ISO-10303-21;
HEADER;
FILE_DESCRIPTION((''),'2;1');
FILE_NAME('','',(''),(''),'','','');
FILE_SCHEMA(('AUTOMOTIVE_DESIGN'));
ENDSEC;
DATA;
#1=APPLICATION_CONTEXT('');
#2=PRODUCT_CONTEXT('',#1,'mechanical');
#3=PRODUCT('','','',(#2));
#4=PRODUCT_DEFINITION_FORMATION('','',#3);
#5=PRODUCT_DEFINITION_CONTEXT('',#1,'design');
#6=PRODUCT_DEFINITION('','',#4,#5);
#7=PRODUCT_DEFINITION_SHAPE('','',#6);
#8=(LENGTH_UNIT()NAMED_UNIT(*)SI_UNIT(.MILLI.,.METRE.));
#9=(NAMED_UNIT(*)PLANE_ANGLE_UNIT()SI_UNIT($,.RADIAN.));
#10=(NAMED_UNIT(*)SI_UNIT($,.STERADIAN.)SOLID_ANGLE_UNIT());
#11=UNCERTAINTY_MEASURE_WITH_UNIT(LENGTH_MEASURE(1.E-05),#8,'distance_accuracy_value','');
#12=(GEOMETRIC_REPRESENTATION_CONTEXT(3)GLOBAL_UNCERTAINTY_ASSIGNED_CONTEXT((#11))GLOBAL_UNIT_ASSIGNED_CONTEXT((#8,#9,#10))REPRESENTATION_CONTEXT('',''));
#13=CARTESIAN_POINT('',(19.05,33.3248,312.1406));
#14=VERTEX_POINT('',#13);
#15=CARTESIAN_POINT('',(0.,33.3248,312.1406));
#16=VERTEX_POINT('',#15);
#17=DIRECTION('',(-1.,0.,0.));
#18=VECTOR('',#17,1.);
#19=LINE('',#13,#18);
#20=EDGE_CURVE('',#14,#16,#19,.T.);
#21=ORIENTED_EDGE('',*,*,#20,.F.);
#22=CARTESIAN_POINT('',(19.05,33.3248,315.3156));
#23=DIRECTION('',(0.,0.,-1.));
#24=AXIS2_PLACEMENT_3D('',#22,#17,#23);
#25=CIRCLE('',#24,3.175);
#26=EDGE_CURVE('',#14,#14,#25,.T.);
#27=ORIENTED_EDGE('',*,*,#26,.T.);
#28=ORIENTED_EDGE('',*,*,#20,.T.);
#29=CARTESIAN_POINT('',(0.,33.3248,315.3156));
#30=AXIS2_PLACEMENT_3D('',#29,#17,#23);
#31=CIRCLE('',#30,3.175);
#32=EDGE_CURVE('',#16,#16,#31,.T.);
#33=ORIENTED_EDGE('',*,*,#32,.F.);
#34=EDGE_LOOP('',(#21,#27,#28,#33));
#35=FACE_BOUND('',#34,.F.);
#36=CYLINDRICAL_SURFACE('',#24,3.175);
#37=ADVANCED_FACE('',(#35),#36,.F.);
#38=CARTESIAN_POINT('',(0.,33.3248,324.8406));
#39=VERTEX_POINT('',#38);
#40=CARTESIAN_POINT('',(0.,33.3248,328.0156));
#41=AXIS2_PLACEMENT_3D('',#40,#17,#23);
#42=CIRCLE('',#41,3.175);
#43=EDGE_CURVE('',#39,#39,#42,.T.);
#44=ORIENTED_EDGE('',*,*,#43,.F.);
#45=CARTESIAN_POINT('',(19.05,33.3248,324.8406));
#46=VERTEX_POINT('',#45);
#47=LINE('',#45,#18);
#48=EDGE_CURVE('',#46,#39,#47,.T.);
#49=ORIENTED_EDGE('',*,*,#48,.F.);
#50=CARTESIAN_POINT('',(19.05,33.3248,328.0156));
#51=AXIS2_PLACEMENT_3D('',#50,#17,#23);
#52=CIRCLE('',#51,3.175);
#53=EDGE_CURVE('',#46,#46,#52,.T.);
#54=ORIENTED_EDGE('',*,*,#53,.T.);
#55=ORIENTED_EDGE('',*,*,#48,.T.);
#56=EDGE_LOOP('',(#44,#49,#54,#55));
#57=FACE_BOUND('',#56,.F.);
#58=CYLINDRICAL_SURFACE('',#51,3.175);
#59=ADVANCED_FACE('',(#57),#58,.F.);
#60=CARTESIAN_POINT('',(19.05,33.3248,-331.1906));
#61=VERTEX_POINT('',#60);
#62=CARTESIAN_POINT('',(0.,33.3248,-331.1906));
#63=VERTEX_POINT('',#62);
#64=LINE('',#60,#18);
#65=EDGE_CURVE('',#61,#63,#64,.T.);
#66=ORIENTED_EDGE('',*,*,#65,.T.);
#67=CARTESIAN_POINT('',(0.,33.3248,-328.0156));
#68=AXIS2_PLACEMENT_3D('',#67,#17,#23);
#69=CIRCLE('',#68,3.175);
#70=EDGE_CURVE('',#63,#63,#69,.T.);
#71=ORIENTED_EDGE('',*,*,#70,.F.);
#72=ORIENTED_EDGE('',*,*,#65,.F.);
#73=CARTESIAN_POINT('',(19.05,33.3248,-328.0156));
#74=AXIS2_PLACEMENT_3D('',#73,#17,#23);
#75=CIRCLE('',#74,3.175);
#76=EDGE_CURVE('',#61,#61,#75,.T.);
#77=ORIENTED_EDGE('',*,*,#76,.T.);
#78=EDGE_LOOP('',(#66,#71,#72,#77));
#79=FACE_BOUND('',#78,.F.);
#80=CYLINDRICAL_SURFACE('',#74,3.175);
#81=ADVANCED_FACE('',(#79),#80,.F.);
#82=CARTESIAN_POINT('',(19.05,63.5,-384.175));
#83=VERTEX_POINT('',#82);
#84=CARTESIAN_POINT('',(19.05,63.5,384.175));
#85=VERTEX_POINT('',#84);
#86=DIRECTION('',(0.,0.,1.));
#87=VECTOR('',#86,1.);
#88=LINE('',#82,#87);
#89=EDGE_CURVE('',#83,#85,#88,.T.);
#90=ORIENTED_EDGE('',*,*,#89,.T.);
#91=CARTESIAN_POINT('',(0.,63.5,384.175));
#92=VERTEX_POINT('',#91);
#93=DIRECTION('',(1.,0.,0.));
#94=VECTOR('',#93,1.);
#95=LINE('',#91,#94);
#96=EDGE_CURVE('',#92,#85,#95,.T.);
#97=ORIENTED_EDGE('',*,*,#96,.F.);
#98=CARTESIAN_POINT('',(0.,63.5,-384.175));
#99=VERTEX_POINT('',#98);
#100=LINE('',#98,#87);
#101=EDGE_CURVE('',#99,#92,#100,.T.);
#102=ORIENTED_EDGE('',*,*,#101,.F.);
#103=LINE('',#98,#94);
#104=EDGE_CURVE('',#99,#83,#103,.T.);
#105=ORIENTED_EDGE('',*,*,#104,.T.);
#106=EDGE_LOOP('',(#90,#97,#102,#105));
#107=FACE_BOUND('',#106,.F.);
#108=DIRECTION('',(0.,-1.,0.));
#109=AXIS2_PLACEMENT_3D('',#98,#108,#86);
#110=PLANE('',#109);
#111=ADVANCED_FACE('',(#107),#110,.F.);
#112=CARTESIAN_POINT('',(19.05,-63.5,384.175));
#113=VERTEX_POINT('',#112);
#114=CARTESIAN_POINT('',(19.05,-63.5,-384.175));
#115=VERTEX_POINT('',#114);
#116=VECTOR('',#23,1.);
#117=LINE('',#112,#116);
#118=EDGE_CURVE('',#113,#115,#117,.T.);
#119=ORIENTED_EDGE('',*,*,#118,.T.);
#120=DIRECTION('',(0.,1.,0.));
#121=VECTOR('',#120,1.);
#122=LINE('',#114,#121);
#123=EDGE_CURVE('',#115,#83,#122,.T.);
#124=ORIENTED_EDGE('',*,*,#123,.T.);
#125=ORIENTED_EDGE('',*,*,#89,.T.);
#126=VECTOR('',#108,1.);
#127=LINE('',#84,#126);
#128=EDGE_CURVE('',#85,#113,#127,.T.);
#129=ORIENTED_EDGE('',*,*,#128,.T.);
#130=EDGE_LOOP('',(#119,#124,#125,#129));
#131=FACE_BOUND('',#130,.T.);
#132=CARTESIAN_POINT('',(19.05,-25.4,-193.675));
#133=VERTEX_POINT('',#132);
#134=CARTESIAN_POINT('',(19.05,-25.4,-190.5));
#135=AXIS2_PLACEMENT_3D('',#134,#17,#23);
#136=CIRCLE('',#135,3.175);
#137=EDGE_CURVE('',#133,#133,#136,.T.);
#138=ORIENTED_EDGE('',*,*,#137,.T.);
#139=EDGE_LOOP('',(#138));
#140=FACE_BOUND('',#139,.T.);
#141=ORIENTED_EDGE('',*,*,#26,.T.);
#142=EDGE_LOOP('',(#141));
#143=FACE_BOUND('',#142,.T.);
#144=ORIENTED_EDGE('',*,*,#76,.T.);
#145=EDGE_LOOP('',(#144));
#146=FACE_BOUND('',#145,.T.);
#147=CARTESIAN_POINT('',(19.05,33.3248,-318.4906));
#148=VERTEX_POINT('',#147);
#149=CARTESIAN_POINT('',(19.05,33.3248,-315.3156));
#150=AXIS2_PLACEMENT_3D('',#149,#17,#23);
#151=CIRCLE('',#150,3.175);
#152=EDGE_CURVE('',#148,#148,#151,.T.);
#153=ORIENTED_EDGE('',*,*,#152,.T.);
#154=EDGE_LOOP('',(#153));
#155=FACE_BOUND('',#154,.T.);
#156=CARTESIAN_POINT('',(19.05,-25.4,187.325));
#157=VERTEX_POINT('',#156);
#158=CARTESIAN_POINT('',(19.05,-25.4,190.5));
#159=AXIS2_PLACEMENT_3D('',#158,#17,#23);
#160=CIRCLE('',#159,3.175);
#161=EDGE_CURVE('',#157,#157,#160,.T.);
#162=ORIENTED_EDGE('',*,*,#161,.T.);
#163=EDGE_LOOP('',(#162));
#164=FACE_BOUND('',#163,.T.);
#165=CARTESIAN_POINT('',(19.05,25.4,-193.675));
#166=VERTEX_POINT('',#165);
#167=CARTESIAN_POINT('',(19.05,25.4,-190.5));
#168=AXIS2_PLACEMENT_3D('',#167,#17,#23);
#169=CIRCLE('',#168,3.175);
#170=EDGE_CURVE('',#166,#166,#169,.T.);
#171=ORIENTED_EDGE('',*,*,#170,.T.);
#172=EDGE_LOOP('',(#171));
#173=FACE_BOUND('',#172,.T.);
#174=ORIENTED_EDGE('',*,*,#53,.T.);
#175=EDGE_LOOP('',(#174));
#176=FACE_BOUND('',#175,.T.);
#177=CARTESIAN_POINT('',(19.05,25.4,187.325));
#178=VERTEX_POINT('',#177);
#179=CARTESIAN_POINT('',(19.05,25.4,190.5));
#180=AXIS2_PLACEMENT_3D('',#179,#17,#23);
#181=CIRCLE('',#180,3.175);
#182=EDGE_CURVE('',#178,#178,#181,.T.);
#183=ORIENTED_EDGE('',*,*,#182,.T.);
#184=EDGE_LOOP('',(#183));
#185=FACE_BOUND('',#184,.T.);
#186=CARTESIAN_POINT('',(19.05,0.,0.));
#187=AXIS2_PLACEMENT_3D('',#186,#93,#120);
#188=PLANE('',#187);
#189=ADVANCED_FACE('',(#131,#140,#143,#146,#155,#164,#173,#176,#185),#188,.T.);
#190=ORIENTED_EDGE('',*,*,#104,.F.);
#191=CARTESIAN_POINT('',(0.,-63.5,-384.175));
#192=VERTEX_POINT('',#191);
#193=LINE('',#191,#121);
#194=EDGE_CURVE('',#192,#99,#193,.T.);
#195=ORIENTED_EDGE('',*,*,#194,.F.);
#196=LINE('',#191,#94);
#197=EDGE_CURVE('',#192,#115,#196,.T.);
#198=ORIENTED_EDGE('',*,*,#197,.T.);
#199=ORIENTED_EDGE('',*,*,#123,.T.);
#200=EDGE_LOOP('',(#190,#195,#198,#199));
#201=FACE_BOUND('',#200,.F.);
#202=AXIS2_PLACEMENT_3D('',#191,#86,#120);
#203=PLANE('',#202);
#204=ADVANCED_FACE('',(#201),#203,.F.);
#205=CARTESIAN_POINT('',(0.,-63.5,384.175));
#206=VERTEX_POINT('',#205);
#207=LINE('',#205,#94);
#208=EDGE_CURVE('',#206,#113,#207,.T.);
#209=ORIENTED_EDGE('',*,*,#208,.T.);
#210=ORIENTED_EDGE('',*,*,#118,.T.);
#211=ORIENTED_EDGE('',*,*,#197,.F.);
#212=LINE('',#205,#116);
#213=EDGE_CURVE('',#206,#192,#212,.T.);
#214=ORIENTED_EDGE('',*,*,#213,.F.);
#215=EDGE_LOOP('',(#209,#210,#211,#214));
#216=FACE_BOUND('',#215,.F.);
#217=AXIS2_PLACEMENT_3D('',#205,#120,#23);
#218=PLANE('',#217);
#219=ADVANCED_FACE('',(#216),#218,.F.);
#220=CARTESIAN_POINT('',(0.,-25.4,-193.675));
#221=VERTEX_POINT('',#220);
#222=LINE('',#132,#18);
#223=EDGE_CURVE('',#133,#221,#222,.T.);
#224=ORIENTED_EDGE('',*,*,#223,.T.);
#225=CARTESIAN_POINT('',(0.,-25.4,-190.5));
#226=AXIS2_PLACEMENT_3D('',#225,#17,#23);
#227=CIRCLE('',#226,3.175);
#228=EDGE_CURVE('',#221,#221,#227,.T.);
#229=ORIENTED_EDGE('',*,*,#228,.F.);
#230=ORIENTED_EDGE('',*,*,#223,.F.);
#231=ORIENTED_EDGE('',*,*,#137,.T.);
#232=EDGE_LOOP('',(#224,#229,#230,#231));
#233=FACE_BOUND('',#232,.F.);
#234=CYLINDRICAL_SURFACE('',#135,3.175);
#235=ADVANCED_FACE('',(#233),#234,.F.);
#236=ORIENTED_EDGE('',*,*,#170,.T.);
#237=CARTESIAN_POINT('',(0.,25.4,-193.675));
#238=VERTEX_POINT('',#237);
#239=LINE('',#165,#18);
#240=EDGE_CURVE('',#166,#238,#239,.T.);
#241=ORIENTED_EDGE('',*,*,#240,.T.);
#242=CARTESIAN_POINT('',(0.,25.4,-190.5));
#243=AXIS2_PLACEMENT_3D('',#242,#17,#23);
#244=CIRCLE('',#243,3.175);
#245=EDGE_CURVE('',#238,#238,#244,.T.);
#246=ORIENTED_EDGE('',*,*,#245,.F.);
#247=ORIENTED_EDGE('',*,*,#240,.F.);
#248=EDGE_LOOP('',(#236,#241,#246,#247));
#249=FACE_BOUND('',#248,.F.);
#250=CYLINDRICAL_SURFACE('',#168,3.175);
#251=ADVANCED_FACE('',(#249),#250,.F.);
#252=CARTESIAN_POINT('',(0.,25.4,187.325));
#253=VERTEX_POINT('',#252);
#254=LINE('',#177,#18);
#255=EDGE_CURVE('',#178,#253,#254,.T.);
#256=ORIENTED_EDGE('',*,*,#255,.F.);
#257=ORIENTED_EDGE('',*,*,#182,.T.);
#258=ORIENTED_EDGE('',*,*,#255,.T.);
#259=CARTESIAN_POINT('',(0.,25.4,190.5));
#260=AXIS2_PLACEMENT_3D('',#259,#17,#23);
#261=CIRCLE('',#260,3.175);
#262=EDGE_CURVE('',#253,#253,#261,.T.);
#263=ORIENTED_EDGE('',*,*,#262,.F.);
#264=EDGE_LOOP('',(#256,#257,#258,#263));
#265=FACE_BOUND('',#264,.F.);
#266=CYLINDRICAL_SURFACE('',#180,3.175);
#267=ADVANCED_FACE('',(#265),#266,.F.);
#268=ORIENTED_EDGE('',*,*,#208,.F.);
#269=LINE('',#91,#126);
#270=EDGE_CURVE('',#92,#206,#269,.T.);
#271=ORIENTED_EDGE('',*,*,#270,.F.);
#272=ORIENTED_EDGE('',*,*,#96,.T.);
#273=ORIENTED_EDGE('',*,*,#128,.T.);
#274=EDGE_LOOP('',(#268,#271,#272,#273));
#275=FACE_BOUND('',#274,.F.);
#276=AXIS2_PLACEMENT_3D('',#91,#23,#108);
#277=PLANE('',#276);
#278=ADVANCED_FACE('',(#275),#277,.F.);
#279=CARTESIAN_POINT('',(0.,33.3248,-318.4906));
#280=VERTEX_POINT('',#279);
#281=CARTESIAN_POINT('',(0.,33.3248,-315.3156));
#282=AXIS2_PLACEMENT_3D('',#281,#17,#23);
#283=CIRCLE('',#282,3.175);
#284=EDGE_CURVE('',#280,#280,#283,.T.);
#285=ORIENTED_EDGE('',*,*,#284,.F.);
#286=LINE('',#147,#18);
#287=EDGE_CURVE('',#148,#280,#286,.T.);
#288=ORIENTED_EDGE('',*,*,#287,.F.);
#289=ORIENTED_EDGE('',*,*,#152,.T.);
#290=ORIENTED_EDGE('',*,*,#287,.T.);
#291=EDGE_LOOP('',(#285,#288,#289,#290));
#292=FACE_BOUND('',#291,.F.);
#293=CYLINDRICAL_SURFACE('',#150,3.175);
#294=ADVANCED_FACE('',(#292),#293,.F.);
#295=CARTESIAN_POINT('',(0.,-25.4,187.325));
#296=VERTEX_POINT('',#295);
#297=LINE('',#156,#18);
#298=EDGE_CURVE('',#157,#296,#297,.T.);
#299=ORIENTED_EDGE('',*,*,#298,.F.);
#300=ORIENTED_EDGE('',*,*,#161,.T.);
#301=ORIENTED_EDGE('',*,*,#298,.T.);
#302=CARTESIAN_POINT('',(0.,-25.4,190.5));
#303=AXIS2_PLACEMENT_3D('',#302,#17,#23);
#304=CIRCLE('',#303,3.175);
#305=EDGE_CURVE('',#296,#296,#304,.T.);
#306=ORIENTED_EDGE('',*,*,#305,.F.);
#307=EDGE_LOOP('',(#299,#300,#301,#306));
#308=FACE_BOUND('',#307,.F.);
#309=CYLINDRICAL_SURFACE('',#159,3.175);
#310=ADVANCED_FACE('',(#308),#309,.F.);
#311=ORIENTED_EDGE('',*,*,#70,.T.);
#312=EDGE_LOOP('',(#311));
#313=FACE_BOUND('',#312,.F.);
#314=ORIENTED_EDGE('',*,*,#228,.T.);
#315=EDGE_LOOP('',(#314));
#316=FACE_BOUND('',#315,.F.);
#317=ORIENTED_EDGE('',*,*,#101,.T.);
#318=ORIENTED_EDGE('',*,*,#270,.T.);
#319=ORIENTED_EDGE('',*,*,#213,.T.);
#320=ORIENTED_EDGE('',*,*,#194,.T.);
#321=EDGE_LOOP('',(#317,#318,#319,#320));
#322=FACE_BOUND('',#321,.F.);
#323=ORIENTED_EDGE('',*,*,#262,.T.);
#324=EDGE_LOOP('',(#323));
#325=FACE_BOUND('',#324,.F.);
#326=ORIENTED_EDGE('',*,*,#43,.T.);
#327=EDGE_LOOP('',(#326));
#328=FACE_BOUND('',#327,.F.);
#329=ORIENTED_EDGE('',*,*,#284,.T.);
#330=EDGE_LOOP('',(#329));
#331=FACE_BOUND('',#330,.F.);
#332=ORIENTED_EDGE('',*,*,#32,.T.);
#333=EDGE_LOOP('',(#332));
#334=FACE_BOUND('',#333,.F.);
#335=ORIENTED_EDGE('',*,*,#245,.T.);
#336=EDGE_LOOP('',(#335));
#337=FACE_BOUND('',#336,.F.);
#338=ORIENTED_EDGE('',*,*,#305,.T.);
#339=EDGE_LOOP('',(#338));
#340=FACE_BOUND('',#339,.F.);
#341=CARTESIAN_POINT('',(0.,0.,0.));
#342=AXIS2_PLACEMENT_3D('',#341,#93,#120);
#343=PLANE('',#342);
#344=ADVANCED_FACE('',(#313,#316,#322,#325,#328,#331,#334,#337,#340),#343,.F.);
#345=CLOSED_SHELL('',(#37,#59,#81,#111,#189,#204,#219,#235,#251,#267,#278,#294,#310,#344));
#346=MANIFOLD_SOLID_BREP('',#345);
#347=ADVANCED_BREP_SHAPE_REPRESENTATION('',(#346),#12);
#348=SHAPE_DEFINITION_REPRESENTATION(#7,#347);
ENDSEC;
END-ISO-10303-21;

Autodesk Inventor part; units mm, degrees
ref_plane "YZ Plane" through (0, 0, 0) normal (1, 0, 0) x (0, 1, 0)
ref_plane "XZ Plane" through (0, 0, 0) normal (0, 1, 0) x (-1, 0, 0)
ref_plane "XY Plane" through (0, 0, 0) normal (0, 0, 1) x (1, 0, 0)
sketch "Sketch1" plane through (0, 0, 0) normal (1, 0, 0) x (0, 1, 0)
  line L0 (-63.5, -384.175) -> (63.5, -384.175)
  line L1 (63.5, -384.175) -> (63.5, 384.175)
  line L2 (63.5, 384.175) -> (-63.5, 384.175)
  line L3 (-63.5, 384.175) -> (-63.5, -384.175)
  line L4 (-63.5, -384.175) -> (63.5, 384.175) construction
  line L5 (63.5, -384.175) -> (-63.5, 384.175) construction
  point P0 (0, 0)
  dimension "d0" = 127
  dimension "d1" = 768.35
extrude "Extrusion1" add sketch "Sketch1" along normal blind 19.05
sketch "Sketch2" plane through (19.05, 0, 0) normal (1, 0, 0) x (0, 0, -1)
  line L0 (-384.175, 63.5) -> (-384.175, -63.5) projected
  line L1 (384.175, 63.5) -> (-384.175, 63.5) construction
  line L2 (0, 63.5) -> (0, -63.5) construction
  line L3 (-384.175, -63.5) -> (384.175, -63.5) construction
  line L4 (-384.175, 63.5) -> (0, 63.5) construction
  line L5 (-190.5, 25.4) -> (-190.5, -25.4) construction
  point P0 (0, 0)
  point P1 (-328.0156, 33.3248)
  point P2 (-315.3156, 33.3248)
  point P3 (328.0156, 33.3248)
  point P4 (315.3156, 33.3248)
  point P5 (-192.0875, 63.5)
  point P6 (-190.5, 0)
  point P7 (0, 0)
  point P8 (190.5, 25.4)
  point P9 (190.5, -25.4)
  dimension "d4" = 12.7
  dimension "d5" = 56.1594
  dimension "d6" = 30.1752
  dimension "d14" = 50.8
  dimension "d16" = 193.675
hole "Hole1" at (19.05, 33.3248, 328.0156) at (19.05, 33.3248, 315.3156) at (19.05, 33.3248, -315.3156) at (19.05, 33.3248, -328.0156) at (19.05, 25.4, 190.5) at (19.05, -25.4, 190.5) at (19.05, 25.4, -190.5) at (19.05, -25.4, -190.5) direction (-1, 0, 0) diameter 6.35 end through all
properties part number "BP-001" material "Wood (Birch)"
